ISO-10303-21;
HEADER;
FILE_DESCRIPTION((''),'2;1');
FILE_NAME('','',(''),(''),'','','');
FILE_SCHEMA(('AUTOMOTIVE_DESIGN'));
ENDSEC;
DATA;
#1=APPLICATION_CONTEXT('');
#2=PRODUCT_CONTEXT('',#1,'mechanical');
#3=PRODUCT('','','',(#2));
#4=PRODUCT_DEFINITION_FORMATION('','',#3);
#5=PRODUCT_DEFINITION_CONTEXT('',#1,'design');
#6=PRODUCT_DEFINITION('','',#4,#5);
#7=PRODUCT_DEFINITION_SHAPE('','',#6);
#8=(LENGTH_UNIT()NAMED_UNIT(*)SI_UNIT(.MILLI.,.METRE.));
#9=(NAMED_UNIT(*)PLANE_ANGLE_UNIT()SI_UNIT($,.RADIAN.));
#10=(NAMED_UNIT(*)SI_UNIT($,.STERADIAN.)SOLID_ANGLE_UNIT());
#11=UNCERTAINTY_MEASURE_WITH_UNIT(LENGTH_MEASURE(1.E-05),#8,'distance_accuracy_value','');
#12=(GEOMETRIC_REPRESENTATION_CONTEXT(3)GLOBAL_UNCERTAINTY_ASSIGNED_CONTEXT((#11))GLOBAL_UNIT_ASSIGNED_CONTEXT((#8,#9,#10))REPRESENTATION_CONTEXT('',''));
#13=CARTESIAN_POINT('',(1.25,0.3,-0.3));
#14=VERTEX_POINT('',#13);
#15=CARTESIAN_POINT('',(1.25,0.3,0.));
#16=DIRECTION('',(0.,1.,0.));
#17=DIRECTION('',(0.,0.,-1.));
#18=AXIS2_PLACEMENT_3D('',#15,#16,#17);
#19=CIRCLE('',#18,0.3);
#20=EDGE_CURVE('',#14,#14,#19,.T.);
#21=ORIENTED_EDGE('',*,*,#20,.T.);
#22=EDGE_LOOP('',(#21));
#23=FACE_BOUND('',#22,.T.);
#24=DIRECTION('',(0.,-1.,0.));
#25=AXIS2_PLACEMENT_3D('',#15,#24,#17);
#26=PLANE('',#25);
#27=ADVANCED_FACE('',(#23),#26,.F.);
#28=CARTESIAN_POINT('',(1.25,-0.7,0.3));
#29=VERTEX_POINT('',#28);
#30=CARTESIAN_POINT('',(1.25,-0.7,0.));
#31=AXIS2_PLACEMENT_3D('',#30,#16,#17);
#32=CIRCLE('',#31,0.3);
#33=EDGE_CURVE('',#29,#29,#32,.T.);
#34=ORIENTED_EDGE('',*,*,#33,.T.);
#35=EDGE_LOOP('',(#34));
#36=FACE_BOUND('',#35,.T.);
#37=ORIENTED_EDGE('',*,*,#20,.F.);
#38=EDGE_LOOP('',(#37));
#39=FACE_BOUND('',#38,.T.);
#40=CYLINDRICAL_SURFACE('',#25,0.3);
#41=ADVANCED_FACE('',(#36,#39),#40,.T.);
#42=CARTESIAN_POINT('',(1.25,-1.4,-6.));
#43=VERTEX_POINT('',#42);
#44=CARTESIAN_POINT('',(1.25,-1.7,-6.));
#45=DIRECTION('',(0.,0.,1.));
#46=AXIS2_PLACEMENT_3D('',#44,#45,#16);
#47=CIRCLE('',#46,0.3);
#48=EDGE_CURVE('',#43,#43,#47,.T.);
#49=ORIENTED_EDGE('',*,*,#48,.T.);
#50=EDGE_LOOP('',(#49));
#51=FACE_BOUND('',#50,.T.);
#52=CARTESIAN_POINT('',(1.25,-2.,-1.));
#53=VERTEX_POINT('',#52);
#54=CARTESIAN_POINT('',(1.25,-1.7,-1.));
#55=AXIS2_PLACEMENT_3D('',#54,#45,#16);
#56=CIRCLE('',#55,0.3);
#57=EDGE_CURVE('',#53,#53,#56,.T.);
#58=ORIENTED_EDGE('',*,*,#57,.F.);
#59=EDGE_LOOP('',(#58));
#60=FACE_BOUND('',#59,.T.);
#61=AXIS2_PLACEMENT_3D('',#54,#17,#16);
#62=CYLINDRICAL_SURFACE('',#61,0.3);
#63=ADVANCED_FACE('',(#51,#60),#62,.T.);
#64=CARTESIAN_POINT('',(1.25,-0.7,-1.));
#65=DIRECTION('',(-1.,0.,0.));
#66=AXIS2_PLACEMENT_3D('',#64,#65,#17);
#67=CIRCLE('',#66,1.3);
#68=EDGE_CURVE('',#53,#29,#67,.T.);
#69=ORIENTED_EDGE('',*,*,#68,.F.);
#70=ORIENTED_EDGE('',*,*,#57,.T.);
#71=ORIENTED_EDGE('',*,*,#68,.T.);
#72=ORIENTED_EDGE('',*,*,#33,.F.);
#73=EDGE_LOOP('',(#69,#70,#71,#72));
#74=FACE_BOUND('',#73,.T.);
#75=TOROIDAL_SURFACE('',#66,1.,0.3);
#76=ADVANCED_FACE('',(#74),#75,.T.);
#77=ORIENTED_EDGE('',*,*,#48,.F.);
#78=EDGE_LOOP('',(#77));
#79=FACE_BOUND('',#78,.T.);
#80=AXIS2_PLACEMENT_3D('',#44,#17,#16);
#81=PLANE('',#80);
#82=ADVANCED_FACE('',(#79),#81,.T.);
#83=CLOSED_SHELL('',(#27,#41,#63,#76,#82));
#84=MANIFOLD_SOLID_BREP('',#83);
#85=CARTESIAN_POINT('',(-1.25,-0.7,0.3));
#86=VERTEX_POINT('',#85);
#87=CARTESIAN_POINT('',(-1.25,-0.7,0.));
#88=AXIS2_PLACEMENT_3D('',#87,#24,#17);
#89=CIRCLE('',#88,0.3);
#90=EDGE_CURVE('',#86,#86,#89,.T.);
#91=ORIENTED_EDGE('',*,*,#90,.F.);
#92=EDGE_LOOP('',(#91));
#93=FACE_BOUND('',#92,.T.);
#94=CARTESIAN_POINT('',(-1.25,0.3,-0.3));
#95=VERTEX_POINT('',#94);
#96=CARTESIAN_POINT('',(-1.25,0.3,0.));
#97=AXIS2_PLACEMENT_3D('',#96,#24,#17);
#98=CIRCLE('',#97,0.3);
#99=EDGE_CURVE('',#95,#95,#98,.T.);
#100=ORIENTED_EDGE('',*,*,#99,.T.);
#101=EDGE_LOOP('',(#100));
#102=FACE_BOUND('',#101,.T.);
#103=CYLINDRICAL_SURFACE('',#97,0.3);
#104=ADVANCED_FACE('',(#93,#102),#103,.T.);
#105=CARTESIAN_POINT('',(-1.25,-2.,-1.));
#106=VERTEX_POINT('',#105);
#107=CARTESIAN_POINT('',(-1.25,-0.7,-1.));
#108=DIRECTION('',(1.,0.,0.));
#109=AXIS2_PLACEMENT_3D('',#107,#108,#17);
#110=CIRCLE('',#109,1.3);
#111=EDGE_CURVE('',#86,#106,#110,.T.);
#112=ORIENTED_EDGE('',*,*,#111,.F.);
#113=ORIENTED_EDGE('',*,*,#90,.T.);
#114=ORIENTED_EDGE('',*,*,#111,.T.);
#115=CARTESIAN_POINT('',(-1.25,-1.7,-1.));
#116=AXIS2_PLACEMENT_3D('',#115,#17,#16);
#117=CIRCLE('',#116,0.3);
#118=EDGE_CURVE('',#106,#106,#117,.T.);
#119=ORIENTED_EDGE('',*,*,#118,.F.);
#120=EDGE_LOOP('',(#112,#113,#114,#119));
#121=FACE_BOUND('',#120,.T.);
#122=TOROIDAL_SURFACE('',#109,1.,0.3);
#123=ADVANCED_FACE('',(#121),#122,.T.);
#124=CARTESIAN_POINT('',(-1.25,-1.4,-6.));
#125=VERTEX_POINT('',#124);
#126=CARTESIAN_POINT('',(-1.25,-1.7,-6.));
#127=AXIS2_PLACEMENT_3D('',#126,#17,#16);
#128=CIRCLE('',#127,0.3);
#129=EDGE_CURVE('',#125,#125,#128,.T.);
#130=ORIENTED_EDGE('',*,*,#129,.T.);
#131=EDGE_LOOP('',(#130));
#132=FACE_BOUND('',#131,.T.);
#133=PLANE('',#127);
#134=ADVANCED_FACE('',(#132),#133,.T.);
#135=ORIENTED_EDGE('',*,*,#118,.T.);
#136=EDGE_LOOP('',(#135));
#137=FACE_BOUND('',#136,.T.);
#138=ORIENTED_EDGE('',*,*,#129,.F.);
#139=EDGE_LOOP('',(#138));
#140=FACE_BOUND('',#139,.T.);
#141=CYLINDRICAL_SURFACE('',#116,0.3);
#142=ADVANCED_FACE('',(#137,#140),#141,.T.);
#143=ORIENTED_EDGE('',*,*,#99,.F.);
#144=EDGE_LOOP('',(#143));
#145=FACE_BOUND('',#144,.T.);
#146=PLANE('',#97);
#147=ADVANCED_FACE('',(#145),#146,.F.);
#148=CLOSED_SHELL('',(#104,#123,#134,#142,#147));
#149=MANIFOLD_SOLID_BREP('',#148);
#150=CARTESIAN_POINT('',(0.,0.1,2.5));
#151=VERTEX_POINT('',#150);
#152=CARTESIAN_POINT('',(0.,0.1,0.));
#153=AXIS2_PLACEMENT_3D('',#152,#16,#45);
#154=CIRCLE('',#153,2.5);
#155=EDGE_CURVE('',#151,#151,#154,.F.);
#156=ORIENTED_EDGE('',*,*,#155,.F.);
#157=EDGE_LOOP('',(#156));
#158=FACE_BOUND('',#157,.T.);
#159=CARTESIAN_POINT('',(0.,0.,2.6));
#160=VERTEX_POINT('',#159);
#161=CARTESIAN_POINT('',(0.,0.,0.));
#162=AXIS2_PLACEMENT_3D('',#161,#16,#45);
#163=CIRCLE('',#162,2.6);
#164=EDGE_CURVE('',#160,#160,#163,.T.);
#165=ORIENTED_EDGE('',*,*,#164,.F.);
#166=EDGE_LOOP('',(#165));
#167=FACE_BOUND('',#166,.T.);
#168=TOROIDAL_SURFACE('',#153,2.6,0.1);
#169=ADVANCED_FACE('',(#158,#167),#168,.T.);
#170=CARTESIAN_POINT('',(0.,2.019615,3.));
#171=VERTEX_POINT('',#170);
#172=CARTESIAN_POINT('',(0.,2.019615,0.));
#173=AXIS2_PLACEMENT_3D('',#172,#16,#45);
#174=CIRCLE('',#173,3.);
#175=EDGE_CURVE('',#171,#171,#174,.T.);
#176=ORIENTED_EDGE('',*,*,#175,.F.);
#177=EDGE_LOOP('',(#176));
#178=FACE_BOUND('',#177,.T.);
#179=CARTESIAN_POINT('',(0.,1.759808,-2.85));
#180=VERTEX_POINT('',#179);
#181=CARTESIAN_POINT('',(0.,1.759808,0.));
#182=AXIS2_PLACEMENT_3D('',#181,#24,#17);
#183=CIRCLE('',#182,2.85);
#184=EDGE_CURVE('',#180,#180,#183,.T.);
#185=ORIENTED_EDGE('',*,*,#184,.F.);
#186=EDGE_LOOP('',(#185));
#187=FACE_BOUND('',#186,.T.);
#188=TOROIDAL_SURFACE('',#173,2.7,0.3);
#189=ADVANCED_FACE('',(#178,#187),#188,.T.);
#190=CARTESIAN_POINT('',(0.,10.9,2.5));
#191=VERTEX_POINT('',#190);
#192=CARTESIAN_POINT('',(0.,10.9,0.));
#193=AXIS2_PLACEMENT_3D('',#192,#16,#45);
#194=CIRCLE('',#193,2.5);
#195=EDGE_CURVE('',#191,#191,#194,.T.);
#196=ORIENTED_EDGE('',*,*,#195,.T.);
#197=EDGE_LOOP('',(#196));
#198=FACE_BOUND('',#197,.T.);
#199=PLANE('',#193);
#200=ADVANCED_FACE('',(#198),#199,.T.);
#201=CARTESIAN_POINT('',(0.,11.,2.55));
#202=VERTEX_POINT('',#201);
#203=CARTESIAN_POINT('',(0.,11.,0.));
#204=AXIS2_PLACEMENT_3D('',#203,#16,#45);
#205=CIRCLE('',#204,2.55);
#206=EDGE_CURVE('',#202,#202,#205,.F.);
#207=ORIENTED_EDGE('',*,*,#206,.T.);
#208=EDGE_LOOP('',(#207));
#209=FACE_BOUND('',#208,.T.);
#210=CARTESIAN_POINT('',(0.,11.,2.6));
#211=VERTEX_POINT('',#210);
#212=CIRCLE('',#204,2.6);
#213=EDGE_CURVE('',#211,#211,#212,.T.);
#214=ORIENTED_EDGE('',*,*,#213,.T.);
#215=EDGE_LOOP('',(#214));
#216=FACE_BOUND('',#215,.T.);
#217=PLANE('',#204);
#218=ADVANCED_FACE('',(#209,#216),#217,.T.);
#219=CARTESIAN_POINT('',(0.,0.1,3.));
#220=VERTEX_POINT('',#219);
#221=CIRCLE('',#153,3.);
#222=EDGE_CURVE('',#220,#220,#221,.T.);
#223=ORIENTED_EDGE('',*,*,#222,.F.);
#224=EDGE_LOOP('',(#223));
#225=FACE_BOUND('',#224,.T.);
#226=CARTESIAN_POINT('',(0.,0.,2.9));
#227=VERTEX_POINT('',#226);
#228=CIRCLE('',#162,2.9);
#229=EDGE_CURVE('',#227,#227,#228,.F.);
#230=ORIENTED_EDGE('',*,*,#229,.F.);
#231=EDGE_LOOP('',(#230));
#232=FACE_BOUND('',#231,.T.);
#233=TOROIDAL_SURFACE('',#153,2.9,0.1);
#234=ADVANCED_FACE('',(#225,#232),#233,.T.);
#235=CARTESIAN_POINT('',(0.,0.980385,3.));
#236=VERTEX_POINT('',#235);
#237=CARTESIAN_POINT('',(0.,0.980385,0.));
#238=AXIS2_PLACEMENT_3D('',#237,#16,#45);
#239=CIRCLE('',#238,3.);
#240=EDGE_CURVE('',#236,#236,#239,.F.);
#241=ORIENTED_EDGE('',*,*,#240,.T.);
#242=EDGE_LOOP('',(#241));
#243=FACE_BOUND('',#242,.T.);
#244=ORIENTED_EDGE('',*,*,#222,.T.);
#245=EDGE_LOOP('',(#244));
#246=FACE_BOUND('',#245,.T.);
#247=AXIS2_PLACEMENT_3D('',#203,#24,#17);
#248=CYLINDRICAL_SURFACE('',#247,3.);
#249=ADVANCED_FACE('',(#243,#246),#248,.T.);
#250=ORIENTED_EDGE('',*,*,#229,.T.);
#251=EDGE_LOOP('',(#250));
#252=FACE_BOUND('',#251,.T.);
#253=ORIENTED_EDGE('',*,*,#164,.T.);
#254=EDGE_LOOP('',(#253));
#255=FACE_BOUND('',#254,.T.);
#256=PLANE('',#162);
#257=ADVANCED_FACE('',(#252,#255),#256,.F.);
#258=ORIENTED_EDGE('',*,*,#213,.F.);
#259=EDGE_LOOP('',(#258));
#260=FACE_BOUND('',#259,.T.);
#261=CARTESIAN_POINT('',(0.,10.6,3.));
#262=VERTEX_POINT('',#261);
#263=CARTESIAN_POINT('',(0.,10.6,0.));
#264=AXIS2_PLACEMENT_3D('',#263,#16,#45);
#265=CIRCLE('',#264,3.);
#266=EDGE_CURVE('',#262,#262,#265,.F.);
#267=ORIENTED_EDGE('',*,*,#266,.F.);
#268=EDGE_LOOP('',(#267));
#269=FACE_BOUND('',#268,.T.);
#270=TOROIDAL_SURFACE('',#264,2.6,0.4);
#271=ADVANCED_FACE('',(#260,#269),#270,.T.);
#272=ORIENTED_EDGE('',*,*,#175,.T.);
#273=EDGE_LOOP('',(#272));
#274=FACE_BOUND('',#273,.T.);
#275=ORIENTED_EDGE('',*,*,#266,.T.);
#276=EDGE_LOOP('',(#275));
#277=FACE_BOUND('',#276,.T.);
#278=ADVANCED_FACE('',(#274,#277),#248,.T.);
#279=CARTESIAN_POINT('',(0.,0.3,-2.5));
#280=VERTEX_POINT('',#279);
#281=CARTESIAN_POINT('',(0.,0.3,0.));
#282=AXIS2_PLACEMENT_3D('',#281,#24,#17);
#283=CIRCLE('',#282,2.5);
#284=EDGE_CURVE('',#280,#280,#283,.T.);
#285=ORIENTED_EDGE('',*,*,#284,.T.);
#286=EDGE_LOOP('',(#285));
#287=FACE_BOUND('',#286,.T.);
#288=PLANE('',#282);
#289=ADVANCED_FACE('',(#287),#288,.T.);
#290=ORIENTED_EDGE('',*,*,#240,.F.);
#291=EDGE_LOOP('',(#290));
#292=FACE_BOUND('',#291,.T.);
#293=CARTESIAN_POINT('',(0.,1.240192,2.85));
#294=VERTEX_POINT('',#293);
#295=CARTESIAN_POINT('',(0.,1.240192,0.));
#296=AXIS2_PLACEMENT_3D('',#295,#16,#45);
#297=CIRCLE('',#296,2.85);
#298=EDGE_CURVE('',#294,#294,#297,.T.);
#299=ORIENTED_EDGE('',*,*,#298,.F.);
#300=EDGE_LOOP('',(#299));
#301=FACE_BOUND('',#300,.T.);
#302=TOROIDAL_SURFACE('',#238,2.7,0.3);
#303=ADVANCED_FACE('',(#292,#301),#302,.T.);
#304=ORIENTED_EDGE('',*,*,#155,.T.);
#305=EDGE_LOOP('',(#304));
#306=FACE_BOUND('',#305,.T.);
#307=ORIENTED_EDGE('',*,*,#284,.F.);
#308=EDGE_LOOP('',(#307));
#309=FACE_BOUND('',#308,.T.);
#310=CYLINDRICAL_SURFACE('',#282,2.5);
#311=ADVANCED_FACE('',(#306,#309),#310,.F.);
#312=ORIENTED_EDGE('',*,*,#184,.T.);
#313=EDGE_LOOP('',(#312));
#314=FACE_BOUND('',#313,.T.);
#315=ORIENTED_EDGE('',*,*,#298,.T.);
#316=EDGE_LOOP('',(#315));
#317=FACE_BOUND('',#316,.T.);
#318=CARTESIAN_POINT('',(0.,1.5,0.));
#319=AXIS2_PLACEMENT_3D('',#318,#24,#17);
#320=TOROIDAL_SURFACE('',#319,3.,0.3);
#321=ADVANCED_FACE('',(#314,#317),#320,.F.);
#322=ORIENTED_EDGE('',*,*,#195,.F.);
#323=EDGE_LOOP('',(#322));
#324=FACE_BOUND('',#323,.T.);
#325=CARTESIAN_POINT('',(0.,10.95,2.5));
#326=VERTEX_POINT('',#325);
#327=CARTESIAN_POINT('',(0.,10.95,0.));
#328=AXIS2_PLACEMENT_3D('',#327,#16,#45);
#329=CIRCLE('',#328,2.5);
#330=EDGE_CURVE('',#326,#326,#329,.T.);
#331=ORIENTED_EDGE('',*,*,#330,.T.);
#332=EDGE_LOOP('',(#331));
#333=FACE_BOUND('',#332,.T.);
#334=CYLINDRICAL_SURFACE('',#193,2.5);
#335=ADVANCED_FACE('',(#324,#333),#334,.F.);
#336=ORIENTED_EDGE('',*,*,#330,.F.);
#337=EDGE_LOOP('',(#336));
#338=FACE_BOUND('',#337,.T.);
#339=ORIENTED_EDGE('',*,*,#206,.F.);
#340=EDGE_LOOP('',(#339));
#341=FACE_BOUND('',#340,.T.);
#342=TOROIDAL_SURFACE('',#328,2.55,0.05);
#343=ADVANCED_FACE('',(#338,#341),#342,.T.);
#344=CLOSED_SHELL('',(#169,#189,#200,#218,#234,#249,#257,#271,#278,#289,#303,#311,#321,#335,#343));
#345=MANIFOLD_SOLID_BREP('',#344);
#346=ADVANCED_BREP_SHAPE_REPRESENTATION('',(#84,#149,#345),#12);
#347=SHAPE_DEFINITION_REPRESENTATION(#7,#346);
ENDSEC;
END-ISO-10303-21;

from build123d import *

# Parameters (mm, degrees)
SKETCH_2_R          = 3
EXTRUDE_1_DEPTH     = 11
SKETCH_3_R          = 2.5
CUT_EXTRUDE_1_DEPTH = 0.3
SKETCH_4_R          = 0.3
CUT_EXTRUDE_START   = -0.1
SKETCH_7_R          = 2.5
CUT_EXTRUDE_2_DEPTH = 0.1
FILLET_1_R          = 0.1
FILLET_2_R          = 0.3
FILLET_3_R          = 0.4
FILLET_4_R          = 0.05


with BuildPart() as part:
    # Эскиз2 → Бобышка-Вытянуть1 (new body)
    with BuildSketch(Plane(origin=(0, 0, 0), x_dir=(1, 0, 0), z_dir=(0, 1, 0))):
        with Locations(Location((0, 0, 0), (0, 0, 270))):
            Circle(SKETCH_2_R)
    extrude(amount=EXTRUDE_1_DEPTH)

    # Эскиз3 → Вырез-Вытянуть1 (cut)
    with BuildSketch(Plane.XZ):
        with Locations(Location((0, 0, 0), (0, 0, 270))):
            Circle(SKETCH_3_R)
    extrude(amount=-CUT_EXTRUDE_1_DEPTH, mode=Mode.SUBTRACT)

    # Эскиз7 → Вырез-Вытянуть2 (cut)
    with BuildSketch(Plane(origin=(0, 11, 0), x_dir=(1, 0, 0), z_dir=(0, 1, 0)).offset(CUT_EXTRUDE_START)):
        with Locations(Location((0, 0, 0), (0, 0, 90))):
            Circle(SKETCH_7_R)
    extrude(amount=CUT_EXTRUDE_2_DEPTH, mode=Mode.SUBTRACT)

    # Эскиз9 → Вырез-Повернуть1 (revolve, cut)
    with BuildSketch(Plane(origin=(0, 0, 0), x_dir=(0, 0, -1), z_dir=(1, 0, 0)), mode=Mode.PRIVATE) as cut_revolve_1_sk:
        with BuildLine():
            Line((-3, 1.8), (-3, 1.2))
            ThreePointArc((-3, 1.2), (-2.7, 1.5), (-3, 1.8))
        make_face()
    revolve(cut_revolve_1_sk.sketch.rotate(Axis((0, -2.369211138, 0), (0, 1, 0)), 180), axis=Axis((0, -2.369211138, 0), (0, 1, 0)), mode=Mode.SUBTRACT)

    # Скругление1
    fillet_1_edges = [part.edges().sort_by_distance(p)[0] for p in [
        (0, 0, -3),
        (0, 0, 2.5),
    ]]
    fillet(fillet_1_edges, radius=FILLET_1_R)

    # Скругление2
    fillet_2_edges = [part.edges().sort_by_distance(p)[0] for p in [
        (-3, 1.2, 0),
        (-3, 1.8, 0),
    ]]
    fillet(fillet_2_edges, radius=FILLET_2_R)

    # Скругление3
    fillet_3_edges = [part.edges().sort_by_distance(p)[0] for p in [
        (0, 11, -3),
    ]]
    fillet(fillet_3_edges, radius=FILLET_3_R)

    # Скругление4
    fillet_4_edges = [part.edges().sort_by_distance(p)[0] for p in [
        (0, 11, 2.5),
    ]]
    fillet(fillet_4_edges, radius=FILLET_4_R)


with BuildPart() as body_2:
    # По траектории1: sweep along a path in Эскиз6
    with BuildLine(Plane.ZY.offset(1.25)) as sweep_1_path:
        Line((0, 0.3), (0, -0.7))
        ThreePointArc((0, -0.7), (-0.292893219, -1.407106781), (-1, -1.7))
        Line((-1, -1.7), (-6, -1.7))
    # Эскиз4 → По траектории1 (sweep)
    with BuildSketch(Plane.XZ.offset(-0.3)):
        with Locations((-1.25, 0)):
            Circle(SKETCH_4_R)
    sweep(path=sweep_1_path.line)


with BuildPart() as body_3:
    # Зеркальное отражение1: mirrored copy
    add(body_2.part.mirror(Plane(origin=(0, 0, 0), x_dir=(0, 0, 1), z_dir=(1, 0, 0))))


solid = Compound([part.part, body_2.part, body_3.part])
